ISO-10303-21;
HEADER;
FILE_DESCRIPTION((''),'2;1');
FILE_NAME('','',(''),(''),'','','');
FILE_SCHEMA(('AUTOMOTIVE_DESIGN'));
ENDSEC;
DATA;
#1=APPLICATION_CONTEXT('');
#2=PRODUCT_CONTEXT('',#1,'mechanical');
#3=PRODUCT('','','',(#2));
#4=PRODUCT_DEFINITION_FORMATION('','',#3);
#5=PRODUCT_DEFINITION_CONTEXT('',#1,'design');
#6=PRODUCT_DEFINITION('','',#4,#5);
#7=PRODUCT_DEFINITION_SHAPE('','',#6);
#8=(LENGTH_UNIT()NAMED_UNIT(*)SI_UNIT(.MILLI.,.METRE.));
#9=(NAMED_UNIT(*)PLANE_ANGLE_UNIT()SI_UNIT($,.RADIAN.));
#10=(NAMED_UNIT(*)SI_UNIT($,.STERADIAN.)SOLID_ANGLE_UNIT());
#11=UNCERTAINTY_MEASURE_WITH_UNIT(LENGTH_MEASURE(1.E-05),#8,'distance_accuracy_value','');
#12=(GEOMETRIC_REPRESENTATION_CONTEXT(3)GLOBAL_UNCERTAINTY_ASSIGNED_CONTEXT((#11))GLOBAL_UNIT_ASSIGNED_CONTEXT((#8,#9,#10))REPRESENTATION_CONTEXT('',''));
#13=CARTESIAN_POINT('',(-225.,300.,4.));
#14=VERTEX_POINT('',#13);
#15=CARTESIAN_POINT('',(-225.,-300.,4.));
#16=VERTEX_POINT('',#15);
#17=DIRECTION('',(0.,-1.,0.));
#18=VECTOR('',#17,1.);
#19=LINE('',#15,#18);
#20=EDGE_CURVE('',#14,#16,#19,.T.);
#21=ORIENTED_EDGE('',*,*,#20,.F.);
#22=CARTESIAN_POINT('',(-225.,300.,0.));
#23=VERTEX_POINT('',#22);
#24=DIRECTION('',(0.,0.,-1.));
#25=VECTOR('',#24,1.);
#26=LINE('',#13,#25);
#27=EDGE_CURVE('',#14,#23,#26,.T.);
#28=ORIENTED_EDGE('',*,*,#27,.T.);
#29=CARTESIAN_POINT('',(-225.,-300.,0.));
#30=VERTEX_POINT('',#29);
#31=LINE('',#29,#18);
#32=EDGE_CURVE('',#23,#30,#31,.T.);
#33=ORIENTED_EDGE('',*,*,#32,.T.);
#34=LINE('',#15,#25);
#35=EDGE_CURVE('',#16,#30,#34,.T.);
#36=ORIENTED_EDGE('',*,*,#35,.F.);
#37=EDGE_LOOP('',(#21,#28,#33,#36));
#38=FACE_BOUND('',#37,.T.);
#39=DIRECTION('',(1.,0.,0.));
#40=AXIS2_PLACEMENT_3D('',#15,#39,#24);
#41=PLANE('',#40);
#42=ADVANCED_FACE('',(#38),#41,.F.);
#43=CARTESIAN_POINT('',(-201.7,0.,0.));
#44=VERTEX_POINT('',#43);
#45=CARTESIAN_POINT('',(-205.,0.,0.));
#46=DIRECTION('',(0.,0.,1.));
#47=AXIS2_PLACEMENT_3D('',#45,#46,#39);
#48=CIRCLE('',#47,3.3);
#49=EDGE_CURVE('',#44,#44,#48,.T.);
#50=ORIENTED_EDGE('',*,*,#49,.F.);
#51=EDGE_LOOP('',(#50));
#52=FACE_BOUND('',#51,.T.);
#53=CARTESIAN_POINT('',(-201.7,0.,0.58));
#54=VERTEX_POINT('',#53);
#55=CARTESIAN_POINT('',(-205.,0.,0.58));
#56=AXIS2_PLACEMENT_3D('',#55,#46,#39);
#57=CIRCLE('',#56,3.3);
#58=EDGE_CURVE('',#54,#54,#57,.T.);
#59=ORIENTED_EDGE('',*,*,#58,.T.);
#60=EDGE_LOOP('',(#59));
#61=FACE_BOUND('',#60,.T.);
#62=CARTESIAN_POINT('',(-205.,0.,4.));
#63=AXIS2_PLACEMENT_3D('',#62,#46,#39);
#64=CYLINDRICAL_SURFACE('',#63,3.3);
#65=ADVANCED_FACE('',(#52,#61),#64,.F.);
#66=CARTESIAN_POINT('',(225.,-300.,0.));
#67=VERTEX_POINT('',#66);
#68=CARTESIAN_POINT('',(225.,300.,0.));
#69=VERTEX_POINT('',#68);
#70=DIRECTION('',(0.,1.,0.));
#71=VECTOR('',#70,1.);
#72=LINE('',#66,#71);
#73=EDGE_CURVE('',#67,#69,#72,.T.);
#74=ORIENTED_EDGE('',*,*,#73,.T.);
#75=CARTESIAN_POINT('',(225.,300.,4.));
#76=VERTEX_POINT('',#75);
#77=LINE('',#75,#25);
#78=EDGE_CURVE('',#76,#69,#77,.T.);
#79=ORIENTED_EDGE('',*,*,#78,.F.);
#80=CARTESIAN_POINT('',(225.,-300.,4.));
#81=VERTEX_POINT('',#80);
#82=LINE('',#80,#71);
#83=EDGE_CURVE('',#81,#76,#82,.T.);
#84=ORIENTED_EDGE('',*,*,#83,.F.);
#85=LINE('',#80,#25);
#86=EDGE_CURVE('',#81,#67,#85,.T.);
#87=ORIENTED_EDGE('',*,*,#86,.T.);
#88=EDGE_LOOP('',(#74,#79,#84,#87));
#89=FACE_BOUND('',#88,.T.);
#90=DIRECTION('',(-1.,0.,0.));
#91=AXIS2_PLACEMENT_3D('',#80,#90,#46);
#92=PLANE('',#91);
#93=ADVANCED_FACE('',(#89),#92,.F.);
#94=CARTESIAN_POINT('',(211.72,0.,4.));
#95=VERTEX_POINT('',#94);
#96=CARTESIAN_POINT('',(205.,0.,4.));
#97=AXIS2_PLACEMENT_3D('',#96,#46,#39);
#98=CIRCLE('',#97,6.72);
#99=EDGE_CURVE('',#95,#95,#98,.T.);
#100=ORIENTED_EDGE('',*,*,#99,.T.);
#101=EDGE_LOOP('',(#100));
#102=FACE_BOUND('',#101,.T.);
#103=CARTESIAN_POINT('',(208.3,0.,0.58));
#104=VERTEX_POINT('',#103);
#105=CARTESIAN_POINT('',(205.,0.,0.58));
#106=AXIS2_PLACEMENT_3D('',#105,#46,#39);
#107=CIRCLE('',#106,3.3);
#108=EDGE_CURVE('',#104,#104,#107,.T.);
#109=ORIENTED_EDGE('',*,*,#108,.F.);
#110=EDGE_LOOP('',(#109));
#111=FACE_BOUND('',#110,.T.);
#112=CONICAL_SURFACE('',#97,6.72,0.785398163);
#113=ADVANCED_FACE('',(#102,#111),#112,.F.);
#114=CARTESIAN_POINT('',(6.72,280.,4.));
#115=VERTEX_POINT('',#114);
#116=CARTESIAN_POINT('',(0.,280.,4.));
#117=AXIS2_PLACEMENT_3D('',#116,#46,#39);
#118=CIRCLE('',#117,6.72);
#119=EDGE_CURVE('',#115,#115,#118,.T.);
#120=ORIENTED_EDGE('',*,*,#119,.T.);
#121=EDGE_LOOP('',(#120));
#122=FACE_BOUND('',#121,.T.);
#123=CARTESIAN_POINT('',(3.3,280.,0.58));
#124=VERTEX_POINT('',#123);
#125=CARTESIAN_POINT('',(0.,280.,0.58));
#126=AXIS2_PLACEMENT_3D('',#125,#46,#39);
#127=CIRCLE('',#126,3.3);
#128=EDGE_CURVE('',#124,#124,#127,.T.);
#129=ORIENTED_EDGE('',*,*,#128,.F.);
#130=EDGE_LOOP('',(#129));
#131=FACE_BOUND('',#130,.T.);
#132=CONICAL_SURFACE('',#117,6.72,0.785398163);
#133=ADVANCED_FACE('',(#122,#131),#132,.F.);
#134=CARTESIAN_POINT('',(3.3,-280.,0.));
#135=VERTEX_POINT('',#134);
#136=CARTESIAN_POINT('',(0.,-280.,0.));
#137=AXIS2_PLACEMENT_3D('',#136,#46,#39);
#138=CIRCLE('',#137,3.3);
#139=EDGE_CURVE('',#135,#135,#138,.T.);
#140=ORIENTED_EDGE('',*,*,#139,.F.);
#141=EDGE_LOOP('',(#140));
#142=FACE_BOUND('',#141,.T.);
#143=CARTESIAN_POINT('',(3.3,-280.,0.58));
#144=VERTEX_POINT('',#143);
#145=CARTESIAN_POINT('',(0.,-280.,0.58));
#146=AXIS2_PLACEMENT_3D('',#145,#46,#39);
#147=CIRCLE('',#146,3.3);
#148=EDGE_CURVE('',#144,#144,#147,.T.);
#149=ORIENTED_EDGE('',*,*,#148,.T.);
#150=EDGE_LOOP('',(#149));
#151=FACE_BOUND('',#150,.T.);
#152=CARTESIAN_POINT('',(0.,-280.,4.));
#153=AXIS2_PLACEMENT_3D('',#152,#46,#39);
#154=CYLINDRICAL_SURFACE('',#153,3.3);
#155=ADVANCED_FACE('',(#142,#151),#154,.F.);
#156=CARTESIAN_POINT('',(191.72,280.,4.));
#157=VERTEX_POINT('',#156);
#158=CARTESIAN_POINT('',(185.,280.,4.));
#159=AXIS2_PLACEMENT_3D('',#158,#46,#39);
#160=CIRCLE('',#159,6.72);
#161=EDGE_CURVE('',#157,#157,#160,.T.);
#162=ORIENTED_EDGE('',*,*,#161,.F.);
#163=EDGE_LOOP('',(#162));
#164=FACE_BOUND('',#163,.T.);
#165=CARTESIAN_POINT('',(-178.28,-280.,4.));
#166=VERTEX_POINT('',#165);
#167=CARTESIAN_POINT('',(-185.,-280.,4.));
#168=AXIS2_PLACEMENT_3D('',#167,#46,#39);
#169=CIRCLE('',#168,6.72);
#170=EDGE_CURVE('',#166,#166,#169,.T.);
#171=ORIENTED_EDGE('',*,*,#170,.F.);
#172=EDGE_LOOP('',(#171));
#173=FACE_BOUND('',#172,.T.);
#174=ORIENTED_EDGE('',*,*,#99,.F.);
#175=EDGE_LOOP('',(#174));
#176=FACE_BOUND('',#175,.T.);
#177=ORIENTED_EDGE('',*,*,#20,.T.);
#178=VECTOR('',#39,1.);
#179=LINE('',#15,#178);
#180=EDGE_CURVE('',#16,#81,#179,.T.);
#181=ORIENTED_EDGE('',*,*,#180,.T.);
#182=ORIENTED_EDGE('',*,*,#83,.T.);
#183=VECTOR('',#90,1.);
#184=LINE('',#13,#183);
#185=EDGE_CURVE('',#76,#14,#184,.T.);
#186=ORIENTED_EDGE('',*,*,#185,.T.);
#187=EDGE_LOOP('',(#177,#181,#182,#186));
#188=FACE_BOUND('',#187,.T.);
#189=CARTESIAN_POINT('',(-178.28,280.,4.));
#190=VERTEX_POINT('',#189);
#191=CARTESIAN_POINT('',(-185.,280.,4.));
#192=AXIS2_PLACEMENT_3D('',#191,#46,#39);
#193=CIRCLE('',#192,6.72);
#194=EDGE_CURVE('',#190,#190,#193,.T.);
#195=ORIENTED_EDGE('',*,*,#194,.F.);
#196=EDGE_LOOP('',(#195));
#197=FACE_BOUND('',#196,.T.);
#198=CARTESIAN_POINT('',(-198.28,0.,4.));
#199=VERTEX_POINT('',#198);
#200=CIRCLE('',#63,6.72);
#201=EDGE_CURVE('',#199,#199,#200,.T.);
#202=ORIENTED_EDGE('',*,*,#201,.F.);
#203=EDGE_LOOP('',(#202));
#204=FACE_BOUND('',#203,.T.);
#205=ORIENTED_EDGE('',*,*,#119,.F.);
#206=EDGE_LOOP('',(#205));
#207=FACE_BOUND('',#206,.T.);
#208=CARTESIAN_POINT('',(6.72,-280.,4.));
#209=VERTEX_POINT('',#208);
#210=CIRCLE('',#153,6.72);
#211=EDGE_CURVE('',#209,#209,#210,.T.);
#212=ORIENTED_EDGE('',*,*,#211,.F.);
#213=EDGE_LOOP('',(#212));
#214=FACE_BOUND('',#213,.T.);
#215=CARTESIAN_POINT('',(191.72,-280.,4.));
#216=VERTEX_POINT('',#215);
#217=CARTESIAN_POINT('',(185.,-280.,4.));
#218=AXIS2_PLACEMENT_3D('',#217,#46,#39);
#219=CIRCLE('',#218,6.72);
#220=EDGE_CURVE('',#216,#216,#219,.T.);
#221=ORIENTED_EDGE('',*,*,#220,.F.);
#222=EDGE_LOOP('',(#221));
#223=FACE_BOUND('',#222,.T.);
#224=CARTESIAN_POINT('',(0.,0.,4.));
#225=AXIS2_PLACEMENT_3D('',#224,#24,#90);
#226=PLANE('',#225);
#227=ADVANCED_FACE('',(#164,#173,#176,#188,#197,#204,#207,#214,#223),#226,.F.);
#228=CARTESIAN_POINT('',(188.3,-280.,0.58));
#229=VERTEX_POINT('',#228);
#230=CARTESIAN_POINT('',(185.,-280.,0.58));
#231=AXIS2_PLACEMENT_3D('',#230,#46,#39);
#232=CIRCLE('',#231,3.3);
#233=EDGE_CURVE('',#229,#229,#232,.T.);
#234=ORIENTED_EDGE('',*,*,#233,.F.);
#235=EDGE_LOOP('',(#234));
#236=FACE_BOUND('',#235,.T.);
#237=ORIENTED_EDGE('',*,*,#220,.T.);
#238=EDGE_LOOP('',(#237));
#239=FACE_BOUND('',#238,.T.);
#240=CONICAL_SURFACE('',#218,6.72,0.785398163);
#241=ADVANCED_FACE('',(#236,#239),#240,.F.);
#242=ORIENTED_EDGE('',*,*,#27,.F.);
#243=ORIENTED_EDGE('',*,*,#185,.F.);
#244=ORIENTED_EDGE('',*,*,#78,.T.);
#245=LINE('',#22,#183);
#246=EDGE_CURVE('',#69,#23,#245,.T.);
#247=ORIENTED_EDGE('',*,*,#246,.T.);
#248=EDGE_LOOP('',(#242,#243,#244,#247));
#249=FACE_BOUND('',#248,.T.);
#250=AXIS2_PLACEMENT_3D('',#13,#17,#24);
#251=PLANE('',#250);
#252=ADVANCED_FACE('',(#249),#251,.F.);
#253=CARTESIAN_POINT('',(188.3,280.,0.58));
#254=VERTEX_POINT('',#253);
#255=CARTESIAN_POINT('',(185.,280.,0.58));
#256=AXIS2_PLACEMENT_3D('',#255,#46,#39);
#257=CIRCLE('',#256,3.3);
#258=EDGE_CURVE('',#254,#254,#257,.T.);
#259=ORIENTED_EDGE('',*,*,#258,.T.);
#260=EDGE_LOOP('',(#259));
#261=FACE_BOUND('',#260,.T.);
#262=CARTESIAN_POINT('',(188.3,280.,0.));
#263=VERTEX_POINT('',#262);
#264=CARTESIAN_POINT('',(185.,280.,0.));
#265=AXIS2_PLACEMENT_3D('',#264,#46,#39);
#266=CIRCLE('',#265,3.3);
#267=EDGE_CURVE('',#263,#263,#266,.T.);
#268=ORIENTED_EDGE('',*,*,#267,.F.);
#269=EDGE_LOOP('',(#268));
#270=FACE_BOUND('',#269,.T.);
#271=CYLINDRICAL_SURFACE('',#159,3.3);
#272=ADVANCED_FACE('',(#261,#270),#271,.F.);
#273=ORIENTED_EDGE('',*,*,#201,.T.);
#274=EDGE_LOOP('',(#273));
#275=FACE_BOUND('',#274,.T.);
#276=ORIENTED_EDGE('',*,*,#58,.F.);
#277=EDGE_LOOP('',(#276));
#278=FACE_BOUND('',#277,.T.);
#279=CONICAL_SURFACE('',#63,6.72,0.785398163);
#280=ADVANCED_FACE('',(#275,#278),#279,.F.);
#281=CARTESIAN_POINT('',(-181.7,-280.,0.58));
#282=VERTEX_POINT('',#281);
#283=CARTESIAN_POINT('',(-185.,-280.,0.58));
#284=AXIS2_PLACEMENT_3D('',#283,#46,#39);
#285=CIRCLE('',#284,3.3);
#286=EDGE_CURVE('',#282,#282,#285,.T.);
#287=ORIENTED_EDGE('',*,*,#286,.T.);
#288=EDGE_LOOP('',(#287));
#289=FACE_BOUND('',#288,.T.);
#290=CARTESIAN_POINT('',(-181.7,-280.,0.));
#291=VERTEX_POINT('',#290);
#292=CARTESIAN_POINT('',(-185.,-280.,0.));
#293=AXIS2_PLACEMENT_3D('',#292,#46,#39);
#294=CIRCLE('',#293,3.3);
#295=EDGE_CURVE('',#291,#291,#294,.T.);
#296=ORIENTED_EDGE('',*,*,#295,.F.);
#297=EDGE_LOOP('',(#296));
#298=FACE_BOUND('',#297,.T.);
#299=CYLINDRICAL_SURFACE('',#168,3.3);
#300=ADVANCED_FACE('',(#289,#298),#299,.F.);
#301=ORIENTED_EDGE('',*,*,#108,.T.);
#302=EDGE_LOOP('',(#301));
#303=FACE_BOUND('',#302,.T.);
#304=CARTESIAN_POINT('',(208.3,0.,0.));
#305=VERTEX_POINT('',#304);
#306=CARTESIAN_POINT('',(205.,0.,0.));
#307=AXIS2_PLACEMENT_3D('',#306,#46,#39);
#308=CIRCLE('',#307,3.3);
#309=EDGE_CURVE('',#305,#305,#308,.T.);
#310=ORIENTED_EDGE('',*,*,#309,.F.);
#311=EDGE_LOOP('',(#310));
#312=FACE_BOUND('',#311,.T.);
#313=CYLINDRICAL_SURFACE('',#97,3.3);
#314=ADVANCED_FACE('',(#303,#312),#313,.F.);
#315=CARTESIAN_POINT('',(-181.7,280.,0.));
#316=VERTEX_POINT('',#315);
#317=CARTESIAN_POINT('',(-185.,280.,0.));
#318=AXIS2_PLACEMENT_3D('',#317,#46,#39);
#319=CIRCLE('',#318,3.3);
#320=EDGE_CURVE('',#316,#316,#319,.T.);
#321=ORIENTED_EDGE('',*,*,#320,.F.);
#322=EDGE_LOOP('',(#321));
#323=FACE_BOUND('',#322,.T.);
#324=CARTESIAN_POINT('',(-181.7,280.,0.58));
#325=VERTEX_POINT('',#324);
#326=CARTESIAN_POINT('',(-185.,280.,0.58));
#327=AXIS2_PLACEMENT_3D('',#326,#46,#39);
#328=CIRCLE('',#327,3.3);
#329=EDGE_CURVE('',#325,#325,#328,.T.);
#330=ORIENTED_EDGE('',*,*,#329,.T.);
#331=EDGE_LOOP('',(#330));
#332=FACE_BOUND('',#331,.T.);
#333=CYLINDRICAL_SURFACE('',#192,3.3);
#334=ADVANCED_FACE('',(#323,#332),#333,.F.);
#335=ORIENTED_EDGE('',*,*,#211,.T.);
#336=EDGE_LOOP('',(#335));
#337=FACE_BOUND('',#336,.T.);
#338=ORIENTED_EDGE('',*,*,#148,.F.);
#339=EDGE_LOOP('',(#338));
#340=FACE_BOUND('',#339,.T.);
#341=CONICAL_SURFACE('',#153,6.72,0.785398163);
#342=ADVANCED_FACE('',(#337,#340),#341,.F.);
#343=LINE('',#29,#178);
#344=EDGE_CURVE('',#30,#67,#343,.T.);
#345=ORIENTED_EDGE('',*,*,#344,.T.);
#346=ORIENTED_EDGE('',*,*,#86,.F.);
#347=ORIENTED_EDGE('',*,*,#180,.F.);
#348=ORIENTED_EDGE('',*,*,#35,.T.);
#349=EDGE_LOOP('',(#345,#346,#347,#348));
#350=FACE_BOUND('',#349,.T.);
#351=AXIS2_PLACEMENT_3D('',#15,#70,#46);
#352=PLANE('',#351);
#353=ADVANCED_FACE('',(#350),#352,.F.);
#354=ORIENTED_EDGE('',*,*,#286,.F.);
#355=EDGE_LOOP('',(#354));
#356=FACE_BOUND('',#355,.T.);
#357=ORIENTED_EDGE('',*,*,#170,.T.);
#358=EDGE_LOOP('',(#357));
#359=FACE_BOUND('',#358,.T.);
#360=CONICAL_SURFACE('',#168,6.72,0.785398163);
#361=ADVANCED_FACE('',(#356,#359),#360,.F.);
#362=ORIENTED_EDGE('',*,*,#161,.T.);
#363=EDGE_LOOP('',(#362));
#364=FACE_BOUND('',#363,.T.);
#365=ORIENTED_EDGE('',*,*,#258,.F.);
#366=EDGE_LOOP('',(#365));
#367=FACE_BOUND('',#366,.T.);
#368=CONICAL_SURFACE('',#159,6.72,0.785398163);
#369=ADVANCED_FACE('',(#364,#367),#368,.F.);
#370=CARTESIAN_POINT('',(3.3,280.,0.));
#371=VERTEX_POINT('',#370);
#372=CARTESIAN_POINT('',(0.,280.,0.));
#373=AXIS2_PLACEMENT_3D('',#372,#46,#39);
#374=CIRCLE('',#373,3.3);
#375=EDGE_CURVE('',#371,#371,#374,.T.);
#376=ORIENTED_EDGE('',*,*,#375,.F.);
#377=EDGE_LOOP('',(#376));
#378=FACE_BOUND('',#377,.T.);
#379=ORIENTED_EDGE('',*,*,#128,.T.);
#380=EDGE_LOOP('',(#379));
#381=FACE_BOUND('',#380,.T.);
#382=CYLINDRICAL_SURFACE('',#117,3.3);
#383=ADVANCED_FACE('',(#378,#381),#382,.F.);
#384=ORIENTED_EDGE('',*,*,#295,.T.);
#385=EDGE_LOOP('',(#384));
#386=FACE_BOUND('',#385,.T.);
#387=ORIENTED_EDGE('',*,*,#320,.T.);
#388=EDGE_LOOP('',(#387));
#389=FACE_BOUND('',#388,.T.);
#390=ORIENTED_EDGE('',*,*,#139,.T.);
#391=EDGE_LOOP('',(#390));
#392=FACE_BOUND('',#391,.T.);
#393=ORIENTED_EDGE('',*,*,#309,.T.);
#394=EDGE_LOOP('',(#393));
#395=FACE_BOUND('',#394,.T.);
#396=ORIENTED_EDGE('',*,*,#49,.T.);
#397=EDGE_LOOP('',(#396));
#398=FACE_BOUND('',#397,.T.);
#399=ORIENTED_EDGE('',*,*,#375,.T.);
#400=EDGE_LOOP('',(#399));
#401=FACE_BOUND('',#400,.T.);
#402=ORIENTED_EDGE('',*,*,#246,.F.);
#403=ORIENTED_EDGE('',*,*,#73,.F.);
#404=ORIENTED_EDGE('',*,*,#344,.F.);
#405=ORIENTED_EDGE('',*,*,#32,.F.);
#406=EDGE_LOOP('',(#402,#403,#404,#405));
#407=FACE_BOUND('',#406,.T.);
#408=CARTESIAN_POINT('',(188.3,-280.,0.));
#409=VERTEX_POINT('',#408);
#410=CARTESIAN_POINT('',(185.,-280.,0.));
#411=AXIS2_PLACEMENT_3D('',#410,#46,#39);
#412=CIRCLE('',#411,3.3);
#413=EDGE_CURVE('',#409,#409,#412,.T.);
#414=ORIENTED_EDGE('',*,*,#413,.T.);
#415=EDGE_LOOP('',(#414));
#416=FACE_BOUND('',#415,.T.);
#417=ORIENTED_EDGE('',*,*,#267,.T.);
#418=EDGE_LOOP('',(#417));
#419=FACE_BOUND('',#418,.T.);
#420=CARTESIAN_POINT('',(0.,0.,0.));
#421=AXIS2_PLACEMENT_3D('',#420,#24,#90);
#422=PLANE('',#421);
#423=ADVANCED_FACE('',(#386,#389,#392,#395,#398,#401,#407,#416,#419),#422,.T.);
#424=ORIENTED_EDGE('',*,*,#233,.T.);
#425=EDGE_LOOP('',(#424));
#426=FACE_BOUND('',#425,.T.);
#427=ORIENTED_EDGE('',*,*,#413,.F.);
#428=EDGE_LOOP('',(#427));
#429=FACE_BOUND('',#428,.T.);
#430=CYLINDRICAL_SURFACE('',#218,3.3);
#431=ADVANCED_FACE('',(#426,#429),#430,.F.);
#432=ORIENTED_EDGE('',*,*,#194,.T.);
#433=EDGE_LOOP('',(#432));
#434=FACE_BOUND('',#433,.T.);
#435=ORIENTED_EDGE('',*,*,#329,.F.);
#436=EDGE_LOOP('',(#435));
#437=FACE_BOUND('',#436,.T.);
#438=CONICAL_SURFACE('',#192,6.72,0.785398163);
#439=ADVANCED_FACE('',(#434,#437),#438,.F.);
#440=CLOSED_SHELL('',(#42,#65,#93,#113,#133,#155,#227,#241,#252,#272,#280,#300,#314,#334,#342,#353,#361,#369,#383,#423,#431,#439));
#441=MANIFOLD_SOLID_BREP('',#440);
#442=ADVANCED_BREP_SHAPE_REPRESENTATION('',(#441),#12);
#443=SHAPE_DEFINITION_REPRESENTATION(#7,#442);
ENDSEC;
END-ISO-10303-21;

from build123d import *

# Parameters (mm, degrees)
SKETCH1_W                                    = 450
SKETCH1_H                                    = 600
BOSS_EXTRUDE1_DEPTH                          = 4
CSK_FOR_M6_HEX_SOCKET_COUNTERSUNK_CA_2_COUNT = 2
CSK_FOR_M6_HEX_SOCKET_COUNTERSUNK_CA_2_PITCH = 410
CSK_FOR_M6_HEX_SOCKET_COUNTERSUNK_CA_3_COUNT = 2
CSK_FOR_M6_HEX_SOCKET_COUNTERSUNK_CA_3_PITCH = 280.713376952
CSK_FOR_M6_HEX_SOCKET_COUNTERSUNK_CA_4_COUNT = 2
CSK_FOR_M6_HEX_SOCKET_COUNTERSUNK_CA_4_PITCH = 347.023053989
CSK_FOR_M6_HEX_SOCKET_COUNTERSUNK_CA_5_COUNT = 2
CSK_FOR_M6_HEX_SOCKET_COUNTERSUNK_CA_5_PITCH = 480.104155366
CSK_FOR_M6_HEX_SOCKET_COUNTERSUNK_CA_6_COUNT = 2
CSK_FOR_M6_HEX_SOCKET_COUNTERSUNK_CA_6_PITCH = 480.104155366
CSK_FOR_M6_HEX_SOCKET_COUNTERSUNK_CA_7_COUNT = 2
CSK_FOR_M6_HEX_SOCKET_COUNTERSUNK_CA_7_PITCH = 347.023053989
CSK_FOR_M6_HEX_SOCKET_COUNTERSUNK_CA_8_COUNT = 2
CSK_FOR_M6_HEX_SOCKET_COUNTERSUNK_CA_8_PITCH = 280.713376952


with BuildPart() as part:
    # Sketch1 → Boss-Extrude1 (new body)
    with BuildSketch(Plane.XY):
        Rectangle(SKETCH1_W, SKETCH1_H)
    extrude(amount=BOSS_EXTRUDE1_DEPTH)

    # Sketch4 → CSK for M6 Hex Socket Countersunk Cap Screw1 (revolve, cut)
    with BuildSketch(Plane(origin=(-205, 0, 4), x_dir=(0, -1, 0), z_dir=(1, 0, 0))):
        Polygon((0, 0), (0, 4), (3.3, 4), (3.3, 3.42), (6.72, 0), align=None)
    csk_for_m6_hex_socket_countersunk_cap_sc = revolve(axis=Axis((-205, 0, 10.35), (0, 0, -1)), mode=Mode.SUBTRACT)

    # CSK for M6 Hex Socket Countersunk Ca 2: CSK for M6 Hex Socket Countersunk Cap Screw1 ×2
    with Locations(*[(i * CSK_FOR_M6_HEX_SOCKET_COUNTERSUNK_CA_2_PITCH, 0, 0) for i in range(1, CSK_FOR_M6_HEX_SOCKET_COUNTERSUNK_CA_2_COUNT)]):
        add(csk_for_m6_hex_socket_countersunk_cap_sc, mode=Mode.SUBTRACT)

    # CSK for M6 Hex Socket Countersunk Ca 3: CSK for M6 Hex Socket Countersunk Cap Screw1 ×2
    with Locations(*[Vector(0.07124704998790944, -0.997458699830735, 0) * (i * CSK_FOR_M6_HEX_SOCKET_COUNTERSUNK_CA_3_PITCH) for i in range(1, CSK_FOR_M6_HEX_SOCKET_COUNTERSUNK_CA_3_COUNT)]):
        add(csk_for_m6_hex_socket_countersunk_cap_sc, mode=Mode.SUBTRACT)

    # CSK for M6 Hex Socket Countersunk Ca 4: CSK for M6 Hex Socket Countersunk Cap Screw1 ×2
    with Locations(*[Vector(0.5907388504694923, -0.8068628201534528, 0) * (i * CSK_FOR_M6_HEX_SOCKET_COUNTERSUNK_CA_4_PITCH) for i in range(1, CSK_FOR_M6_HEX_SOCKET_COUNTERSUNK_CA_4_COUNT)]):
        add(csk_for_m6_hex_socket_countersunk_cap_sc, mode=Mode.SUBTRACT)

    # CSK for M6 Hex Socket Countersunk Ca 5: CSK for M6 Hex Socket Countersunk Cap Screw1 ×2
    with Locations(*[Vector(0.812323733591591, -0.5832067830913987, 0) * (i * CSK_FOR_M6_HEX_SOCKET_COUNTERSUNK_CA_5_PITCH) for i in range(1, CSK_FOR_M6_HEX_SOCKET_COUNTERSUNK_CA_5_COUNT)]):
        add(csk_for_m6_hex_socket_countersunk_cap_sc, mode=Mode.SUBTRACT)

    # CSK for M6 Hex Socket Countersunk Ca 6: CSK for M6 Hex Socket Countersunk Cap Screw1 ×2
    with Locations(*[Vector(0.8123237335915912, 0.5832067830913987, 0) * (i * CSK_FOR_M6_HEX_SOCKET_COUNTERSUNK_CA_6_PITCH) for i in range(1, CSK_FOR_M6_HEX_SOCKET_COUNTERSUNK_CA_6_COUNT)]):
        add(csk_for_m6_hex_socket_countersunk_cap_sc, mode=Mode.SUBTRACT)

    # CSK for M6 Hex Socket Countersunk Ca 7: CSK for M6 Hex Socket Countersunk Cap Screw1 ×2
    with Locations(*[Vector(0.5907388504694924, 0.8068628201534526, 0) * (i * CSK_FOR_M6_HEX_SOCKET_COUNTERSUNK_CA_7_PITCH) for i in range(1, CSK_FOR_M6_HEX_SOCKET_COUNTERSUNK_CA_7_COUNT)]):
        add(csk_for_m6_hex_socket_countersunk_cap_sc, mode=Mode.SUBTRACT)

    # CSK for M6 Hex Socket Countersunk Ca 8: CSK for M6 Hex Socket Countersunk Cap Screw1 ×2
    with Locations(*[Vector(0.07124704998790946, 0.997458699830735, 0) * (i * CSK_FOR_M6_HEX_SOCKET_COUNTERSUNK_CA_8_PITCH) for i in range(1, CSK_FOR_M6_HEX_SOCKET_COUNTERSUNK_CA_8_COUNT)]):
        add(csk_for_m6_hex_socket_countersunk_cap_sc, mode=Mode.SUBTRACT)


solid = part.part
